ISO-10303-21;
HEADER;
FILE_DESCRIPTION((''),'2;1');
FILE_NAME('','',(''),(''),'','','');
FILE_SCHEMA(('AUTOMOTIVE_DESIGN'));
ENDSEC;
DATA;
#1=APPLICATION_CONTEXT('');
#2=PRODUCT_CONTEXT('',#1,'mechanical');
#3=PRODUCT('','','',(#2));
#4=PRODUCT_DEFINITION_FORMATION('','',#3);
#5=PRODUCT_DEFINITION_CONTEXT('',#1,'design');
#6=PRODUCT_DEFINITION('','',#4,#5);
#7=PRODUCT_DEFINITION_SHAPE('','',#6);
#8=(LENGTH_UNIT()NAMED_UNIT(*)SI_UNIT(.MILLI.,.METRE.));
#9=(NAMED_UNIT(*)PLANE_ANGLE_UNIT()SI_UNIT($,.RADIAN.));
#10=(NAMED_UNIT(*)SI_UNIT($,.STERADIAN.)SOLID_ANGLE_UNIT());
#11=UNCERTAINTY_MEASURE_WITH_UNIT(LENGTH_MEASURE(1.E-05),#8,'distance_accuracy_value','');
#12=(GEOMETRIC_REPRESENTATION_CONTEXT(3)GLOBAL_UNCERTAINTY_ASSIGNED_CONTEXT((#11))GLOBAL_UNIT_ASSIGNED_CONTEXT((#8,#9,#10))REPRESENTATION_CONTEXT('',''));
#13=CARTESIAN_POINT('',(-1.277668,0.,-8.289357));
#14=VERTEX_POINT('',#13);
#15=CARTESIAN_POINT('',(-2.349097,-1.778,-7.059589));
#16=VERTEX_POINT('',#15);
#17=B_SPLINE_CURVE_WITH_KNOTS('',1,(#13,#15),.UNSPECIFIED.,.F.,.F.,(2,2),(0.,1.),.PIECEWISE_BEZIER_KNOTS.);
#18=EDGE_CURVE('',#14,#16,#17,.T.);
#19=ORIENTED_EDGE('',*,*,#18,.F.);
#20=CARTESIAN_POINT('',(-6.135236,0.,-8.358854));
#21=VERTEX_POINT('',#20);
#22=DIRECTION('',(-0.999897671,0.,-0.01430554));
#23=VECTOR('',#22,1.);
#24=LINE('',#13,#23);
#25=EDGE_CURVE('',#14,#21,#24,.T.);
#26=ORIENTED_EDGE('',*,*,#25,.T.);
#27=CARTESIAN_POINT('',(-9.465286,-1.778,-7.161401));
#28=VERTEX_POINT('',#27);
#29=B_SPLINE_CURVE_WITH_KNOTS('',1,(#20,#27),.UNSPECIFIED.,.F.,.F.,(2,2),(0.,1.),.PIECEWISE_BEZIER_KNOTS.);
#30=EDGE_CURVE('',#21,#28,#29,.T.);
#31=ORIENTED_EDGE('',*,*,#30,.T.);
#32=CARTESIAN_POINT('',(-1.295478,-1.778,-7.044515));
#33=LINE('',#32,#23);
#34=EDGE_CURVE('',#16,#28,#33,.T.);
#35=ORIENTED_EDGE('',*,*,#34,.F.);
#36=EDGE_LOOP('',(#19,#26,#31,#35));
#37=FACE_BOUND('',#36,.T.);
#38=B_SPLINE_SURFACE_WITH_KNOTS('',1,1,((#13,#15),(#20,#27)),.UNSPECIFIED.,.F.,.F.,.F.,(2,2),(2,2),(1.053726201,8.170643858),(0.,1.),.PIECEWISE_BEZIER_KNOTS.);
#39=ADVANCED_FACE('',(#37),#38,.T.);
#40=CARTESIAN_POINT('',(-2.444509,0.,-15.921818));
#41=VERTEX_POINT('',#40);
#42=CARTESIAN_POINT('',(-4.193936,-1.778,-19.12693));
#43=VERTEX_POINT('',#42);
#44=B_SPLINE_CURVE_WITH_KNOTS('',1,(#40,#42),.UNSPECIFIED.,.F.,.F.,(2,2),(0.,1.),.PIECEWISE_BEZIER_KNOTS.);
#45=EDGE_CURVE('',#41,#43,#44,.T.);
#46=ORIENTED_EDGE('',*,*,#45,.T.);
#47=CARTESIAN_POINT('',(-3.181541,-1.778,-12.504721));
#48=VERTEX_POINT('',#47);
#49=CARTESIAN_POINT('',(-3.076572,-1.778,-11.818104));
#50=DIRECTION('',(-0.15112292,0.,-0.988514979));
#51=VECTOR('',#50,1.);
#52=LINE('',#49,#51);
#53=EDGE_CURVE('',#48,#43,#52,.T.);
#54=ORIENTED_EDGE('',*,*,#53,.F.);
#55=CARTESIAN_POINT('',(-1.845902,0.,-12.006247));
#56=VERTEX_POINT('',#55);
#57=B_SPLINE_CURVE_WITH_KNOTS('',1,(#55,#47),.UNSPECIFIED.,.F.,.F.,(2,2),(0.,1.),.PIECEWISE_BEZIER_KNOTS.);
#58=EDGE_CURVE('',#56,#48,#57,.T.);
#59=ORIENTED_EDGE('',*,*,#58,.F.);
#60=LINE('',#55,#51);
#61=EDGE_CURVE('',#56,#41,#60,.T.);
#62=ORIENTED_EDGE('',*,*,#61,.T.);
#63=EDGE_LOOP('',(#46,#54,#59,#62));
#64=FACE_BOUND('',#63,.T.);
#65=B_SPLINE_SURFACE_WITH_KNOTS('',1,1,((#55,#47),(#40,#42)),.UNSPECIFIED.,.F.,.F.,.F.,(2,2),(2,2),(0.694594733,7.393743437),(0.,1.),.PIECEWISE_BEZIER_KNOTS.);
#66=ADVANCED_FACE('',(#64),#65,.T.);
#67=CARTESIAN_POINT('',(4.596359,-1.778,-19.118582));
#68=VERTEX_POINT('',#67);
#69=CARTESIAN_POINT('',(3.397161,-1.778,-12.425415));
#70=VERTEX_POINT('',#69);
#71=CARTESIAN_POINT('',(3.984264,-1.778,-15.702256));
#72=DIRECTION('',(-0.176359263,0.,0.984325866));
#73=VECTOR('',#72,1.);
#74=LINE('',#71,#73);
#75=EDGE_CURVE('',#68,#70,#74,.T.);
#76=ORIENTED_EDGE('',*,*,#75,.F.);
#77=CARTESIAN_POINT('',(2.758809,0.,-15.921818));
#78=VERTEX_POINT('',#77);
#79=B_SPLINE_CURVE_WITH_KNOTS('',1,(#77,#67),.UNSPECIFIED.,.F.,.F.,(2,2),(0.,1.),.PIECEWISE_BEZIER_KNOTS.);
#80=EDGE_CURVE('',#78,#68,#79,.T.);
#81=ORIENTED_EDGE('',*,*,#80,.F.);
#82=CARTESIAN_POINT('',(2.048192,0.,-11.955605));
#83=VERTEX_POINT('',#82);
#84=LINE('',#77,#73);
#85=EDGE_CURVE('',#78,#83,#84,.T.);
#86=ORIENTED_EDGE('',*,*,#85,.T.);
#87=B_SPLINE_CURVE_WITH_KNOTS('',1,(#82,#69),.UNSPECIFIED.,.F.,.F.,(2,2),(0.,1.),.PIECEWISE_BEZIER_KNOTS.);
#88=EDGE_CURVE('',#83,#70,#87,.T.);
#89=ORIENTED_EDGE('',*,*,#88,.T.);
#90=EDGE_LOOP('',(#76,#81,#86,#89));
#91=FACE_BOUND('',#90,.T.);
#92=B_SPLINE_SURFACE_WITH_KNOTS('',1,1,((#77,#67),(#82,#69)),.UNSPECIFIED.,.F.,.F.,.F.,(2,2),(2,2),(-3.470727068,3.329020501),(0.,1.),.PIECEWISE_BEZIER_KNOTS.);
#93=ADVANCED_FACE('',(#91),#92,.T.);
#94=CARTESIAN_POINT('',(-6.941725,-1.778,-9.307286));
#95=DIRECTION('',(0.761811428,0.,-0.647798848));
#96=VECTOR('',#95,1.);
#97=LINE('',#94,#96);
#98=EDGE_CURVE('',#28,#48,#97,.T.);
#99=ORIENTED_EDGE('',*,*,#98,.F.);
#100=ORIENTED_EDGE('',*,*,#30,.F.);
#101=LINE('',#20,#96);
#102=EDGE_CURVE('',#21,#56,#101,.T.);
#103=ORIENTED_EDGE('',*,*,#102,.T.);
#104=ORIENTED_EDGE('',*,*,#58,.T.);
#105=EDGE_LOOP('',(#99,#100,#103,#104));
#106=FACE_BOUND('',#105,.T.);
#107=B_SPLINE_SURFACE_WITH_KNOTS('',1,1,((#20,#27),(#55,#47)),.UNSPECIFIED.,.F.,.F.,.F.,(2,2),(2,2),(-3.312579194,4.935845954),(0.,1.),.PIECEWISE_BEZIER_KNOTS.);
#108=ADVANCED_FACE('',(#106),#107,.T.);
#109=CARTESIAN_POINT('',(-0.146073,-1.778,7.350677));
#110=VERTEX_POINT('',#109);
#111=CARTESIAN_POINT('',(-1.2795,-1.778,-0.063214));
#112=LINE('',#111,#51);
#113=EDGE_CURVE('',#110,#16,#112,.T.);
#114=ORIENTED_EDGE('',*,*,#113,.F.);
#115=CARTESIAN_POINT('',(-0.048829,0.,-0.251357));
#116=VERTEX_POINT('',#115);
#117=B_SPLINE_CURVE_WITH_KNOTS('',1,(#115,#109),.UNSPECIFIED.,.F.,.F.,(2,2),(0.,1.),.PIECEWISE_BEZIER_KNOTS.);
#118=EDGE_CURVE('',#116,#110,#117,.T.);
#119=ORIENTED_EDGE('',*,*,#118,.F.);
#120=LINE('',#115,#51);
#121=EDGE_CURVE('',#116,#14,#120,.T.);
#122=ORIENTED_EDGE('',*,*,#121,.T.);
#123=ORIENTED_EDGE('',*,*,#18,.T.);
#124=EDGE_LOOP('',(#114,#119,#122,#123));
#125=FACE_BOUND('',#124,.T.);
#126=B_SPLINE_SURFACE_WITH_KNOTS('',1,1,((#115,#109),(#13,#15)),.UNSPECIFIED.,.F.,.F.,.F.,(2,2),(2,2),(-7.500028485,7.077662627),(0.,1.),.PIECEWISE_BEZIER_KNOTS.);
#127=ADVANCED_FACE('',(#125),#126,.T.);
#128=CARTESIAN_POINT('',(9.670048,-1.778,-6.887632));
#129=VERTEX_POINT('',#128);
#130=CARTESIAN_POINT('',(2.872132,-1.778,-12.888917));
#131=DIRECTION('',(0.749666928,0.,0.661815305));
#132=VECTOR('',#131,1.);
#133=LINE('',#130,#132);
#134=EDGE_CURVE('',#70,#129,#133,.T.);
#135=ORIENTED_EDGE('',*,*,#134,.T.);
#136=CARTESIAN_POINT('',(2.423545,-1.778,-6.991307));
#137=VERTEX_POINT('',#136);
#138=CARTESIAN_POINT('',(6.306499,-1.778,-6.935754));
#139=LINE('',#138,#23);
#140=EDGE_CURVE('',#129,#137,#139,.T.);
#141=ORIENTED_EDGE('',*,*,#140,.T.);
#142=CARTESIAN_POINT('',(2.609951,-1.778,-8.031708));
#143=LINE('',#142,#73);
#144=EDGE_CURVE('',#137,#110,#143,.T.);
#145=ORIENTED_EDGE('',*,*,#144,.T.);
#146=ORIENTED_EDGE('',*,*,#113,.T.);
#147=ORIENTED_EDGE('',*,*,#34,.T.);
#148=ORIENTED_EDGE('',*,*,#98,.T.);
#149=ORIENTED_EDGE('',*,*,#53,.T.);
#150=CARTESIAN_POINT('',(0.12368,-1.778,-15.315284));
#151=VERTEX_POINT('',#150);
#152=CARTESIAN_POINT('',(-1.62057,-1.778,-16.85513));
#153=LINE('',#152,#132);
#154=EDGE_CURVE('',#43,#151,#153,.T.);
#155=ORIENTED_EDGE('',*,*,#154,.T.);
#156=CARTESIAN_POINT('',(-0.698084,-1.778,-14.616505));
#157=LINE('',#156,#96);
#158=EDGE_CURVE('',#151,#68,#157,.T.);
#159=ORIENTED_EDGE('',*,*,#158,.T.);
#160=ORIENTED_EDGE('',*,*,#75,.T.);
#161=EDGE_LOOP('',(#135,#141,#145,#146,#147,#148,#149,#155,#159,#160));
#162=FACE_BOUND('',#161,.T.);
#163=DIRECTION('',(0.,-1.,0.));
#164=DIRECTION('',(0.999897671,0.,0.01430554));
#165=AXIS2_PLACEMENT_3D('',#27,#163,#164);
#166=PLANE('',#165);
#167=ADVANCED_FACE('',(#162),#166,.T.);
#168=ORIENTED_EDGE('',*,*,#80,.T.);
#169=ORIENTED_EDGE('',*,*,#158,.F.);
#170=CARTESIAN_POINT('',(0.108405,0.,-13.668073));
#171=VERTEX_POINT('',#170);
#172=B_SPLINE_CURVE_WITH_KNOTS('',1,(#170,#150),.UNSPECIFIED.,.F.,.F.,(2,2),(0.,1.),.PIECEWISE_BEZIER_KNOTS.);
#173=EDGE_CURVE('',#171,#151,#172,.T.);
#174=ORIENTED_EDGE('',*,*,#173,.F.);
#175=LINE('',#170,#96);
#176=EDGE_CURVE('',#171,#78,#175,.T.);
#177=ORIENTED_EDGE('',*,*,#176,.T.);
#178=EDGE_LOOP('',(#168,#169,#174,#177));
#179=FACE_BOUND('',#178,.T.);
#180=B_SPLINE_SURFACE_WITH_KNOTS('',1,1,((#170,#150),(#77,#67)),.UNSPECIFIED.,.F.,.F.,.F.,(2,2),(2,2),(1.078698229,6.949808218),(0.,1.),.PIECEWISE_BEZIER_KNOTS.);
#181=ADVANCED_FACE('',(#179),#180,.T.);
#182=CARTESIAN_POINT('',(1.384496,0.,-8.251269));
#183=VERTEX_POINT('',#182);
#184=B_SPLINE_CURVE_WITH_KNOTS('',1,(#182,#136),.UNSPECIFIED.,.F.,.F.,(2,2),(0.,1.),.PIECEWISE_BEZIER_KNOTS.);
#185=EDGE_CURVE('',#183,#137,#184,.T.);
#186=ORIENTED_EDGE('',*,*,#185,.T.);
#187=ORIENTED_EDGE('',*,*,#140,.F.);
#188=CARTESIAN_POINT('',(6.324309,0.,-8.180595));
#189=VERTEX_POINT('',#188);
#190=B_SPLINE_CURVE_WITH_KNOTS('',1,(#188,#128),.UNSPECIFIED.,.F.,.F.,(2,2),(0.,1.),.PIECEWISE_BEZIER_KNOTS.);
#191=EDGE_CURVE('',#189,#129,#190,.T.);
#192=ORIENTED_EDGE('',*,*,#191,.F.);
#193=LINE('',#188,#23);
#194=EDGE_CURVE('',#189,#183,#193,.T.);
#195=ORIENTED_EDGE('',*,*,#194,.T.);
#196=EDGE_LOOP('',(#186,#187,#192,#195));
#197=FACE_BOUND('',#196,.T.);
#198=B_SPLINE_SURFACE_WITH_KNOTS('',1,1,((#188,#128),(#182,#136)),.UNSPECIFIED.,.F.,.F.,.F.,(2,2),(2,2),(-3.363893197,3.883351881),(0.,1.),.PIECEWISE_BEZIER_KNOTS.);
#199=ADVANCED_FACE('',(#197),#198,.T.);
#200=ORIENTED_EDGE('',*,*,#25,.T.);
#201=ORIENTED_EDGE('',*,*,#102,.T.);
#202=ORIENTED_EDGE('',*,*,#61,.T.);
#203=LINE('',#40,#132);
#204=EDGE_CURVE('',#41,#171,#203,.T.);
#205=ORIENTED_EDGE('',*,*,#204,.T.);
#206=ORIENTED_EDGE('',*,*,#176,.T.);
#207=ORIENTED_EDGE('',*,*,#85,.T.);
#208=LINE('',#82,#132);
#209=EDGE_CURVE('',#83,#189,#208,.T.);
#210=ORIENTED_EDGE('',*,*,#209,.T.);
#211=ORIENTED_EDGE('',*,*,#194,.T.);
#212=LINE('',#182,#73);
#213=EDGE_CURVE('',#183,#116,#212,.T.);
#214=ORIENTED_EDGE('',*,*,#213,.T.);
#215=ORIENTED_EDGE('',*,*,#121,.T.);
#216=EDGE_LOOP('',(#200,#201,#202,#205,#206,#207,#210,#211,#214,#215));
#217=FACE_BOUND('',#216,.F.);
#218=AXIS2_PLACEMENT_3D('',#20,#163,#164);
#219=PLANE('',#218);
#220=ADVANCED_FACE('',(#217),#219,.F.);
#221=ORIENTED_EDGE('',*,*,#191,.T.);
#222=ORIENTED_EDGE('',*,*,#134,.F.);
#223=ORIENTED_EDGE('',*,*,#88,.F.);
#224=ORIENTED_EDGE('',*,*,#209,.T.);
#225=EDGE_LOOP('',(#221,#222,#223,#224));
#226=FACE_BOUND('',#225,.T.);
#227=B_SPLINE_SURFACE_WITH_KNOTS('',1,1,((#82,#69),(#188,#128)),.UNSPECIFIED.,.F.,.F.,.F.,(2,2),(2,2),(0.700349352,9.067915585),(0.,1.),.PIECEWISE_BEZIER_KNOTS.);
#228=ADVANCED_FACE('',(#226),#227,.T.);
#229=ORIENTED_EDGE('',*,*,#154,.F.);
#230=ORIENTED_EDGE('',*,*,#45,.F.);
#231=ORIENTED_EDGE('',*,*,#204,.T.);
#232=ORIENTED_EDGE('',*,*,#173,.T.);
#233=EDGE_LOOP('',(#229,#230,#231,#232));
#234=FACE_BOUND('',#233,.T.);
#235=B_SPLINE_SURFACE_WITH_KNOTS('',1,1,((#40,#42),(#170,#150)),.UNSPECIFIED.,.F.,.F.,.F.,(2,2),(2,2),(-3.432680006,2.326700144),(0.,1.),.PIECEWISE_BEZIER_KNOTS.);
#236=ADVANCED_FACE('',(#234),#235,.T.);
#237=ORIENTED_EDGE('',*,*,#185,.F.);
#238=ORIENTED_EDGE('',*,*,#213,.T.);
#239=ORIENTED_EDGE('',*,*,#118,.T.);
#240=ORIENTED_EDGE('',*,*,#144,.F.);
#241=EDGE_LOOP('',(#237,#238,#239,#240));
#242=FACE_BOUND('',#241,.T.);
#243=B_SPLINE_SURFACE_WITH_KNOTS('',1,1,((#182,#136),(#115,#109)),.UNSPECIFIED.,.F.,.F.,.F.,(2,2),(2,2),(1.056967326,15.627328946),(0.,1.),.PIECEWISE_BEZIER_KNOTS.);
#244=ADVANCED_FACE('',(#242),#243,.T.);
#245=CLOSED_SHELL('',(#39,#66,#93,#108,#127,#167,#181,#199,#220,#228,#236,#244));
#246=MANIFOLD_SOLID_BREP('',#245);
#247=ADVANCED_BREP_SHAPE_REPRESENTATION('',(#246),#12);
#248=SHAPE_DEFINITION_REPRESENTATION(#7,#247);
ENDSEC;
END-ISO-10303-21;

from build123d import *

# Parameters (mm, degrees)
F1_DEPTH = 1.778
F1_TAPER = -35


with BuildPart() as f1:
    # F0 (on Front) → F1 (new body)
    with BuildSketch(Plane.XZ):
        Polygon((-6.1352358275, -8.3588542207), (-1.8459017658, -12.0062472119), (-1.2776682874, -8.2893569829), align=None)
        Polygon((0.1084052976, -13.6680729834), (2.0481923818, -11.9556047751), (1.3844956534, -8.251269393), (-1.2776682874, -8.2893569829), (-1.8459017658, -12.0062472119), align=None)
        Polygon((1.3844956534, -8.251269393), (2.0481923818, -11.9556047751), (6.3243093207, -8.1805954597), align=None)
        Polygon((-1.2776682874, -8.2893569829), (1.3844956534, -8.251269393), (-0.0488290638, -0.2513573295), align=None)
        Polygon((0.1084052976, -13.6680729834), (2.7588090784, -15.9218177455), (2.0481923818, -11.9556047751), align=None)
        Polygon((-2.444509238, -15.9218177455), (0.1084052976, -13.6680729834), (-1.8459017658, -12.0062472119), align=None)
    extrude(amount=F1_DEPTH, taper=F1_TAPER)


solid = f1.part
